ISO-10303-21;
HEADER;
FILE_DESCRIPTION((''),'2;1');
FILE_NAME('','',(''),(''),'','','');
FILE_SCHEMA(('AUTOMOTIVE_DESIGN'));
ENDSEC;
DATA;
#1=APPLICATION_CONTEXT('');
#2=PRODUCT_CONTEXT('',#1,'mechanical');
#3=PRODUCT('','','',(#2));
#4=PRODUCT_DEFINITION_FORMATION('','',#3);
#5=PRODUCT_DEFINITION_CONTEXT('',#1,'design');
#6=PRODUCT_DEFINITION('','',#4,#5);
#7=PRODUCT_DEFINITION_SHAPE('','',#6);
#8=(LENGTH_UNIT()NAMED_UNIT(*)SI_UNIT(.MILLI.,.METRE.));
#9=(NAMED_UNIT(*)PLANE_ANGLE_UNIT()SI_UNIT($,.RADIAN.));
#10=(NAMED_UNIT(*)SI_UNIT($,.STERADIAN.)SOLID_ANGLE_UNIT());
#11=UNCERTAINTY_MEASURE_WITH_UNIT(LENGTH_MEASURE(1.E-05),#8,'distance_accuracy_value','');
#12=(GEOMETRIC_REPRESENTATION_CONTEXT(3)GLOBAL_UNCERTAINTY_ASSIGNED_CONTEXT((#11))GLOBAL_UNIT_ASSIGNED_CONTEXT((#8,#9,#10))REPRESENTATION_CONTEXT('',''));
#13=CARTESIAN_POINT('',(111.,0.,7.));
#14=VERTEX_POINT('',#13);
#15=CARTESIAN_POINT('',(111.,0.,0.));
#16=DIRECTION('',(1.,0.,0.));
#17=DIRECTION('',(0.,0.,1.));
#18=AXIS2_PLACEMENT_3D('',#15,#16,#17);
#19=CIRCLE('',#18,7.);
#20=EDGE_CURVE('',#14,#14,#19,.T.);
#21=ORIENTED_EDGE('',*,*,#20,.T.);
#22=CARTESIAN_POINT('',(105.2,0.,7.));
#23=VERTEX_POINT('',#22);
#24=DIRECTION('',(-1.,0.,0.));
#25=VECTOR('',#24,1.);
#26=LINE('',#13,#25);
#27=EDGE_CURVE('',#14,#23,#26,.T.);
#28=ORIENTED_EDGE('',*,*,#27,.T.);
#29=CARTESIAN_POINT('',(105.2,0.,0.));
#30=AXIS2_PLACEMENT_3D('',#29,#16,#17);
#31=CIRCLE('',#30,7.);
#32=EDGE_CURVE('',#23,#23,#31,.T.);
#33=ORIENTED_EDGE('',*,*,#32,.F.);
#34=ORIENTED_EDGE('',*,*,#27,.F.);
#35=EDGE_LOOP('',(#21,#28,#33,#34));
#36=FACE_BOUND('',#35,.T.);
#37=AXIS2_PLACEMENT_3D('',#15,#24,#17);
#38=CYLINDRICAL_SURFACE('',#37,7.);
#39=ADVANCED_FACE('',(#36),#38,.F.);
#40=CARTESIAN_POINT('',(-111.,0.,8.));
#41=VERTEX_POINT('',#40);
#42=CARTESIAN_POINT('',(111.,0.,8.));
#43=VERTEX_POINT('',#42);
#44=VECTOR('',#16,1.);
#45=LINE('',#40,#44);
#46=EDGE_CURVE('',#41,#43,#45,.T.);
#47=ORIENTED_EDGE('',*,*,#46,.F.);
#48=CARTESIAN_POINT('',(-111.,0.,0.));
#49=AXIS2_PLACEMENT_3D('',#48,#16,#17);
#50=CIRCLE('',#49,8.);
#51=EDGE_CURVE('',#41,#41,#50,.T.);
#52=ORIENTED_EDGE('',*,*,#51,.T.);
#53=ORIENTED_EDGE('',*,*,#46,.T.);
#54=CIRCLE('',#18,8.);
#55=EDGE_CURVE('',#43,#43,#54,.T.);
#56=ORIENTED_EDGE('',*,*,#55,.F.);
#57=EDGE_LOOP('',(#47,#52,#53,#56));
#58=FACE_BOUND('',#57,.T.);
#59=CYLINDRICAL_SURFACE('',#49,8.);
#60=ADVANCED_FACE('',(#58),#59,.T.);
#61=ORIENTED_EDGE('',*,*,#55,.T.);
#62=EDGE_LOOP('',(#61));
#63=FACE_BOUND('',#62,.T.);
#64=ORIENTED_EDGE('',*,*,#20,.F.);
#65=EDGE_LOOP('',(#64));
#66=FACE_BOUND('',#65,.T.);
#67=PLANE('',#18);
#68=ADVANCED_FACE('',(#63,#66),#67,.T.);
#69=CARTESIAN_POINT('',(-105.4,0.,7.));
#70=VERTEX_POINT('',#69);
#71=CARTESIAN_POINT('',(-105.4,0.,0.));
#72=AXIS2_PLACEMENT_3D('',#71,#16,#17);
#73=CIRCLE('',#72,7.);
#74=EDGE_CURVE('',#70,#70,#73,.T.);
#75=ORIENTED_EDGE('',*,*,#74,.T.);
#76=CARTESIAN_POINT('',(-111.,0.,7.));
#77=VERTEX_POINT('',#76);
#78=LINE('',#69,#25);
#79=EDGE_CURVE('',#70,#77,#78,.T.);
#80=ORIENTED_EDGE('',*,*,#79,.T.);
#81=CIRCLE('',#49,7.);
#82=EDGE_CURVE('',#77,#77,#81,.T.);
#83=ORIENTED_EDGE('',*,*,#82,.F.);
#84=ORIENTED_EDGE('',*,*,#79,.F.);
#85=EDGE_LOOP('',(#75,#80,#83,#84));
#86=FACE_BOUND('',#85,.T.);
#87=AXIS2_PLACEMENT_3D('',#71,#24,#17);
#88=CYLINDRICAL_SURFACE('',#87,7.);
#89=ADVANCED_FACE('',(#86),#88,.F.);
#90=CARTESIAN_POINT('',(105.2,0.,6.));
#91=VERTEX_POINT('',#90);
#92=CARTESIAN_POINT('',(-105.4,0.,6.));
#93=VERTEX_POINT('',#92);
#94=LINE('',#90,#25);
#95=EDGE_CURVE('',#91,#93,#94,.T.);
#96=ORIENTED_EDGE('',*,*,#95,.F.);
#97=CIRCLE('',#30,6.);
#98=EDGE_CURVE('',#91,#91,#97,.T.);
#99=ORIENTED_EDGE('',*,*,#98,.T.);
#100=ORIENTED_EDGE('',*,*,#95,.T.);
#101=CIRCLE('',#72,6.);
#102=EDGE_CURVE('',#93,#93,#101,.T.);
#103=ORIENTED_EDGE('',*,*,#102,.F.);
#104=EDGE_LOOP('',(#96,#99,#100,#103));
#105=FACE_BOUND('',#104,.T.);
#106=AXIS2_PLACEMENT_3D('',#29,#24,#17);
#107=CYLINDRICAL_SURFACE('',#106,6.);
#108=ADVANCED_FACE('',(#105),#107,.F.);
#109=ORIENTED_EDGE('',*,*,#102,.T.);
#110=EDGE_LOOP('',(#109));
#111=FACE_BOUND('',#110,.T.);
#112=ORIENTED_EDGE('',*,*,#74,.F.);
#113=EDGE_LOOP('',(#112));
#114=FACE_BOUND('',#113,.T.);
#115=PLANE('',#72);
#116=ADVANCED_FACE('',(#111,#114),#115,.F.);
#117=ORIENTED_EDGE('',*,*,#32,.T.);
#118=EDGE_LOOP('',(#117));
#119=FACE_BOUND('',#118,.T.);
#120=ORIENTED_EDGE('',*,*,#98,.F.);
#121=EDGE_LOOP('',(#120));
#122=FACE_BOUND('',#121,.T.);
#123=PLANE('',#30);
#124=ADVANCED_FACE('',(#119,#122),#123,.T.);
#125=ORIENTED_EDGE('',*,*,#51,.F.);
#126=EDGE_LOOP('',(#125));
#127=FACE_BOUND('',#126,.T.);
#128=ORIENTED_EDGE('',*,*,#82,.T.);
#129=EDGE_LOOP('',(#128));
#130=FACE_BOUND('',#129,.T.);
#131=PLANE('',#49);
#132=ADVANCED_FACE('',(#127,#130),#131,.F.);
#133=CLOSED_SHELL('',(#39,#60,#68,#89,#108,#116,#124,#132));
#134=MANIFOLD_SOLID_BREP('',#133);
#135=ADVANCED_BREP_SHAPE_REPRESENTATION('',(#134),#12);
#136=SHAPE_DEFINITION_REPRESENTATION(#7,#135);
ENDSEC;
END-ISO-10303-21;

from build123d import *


with BuildPart() as part:
    # Sketch → Revolution (revolve)
    with BuildSketch(Plane.XZ):
        Polygon((-111, 8), (111, 8), (111, 7), (105.2, 7), (105.2, 6), (-105.4, 6), (-105.4, 7), (-111, 7), align=None)
    revolve(axis=Axis((0, 0, 0), (1, 0, 0)))


solid = part.part
